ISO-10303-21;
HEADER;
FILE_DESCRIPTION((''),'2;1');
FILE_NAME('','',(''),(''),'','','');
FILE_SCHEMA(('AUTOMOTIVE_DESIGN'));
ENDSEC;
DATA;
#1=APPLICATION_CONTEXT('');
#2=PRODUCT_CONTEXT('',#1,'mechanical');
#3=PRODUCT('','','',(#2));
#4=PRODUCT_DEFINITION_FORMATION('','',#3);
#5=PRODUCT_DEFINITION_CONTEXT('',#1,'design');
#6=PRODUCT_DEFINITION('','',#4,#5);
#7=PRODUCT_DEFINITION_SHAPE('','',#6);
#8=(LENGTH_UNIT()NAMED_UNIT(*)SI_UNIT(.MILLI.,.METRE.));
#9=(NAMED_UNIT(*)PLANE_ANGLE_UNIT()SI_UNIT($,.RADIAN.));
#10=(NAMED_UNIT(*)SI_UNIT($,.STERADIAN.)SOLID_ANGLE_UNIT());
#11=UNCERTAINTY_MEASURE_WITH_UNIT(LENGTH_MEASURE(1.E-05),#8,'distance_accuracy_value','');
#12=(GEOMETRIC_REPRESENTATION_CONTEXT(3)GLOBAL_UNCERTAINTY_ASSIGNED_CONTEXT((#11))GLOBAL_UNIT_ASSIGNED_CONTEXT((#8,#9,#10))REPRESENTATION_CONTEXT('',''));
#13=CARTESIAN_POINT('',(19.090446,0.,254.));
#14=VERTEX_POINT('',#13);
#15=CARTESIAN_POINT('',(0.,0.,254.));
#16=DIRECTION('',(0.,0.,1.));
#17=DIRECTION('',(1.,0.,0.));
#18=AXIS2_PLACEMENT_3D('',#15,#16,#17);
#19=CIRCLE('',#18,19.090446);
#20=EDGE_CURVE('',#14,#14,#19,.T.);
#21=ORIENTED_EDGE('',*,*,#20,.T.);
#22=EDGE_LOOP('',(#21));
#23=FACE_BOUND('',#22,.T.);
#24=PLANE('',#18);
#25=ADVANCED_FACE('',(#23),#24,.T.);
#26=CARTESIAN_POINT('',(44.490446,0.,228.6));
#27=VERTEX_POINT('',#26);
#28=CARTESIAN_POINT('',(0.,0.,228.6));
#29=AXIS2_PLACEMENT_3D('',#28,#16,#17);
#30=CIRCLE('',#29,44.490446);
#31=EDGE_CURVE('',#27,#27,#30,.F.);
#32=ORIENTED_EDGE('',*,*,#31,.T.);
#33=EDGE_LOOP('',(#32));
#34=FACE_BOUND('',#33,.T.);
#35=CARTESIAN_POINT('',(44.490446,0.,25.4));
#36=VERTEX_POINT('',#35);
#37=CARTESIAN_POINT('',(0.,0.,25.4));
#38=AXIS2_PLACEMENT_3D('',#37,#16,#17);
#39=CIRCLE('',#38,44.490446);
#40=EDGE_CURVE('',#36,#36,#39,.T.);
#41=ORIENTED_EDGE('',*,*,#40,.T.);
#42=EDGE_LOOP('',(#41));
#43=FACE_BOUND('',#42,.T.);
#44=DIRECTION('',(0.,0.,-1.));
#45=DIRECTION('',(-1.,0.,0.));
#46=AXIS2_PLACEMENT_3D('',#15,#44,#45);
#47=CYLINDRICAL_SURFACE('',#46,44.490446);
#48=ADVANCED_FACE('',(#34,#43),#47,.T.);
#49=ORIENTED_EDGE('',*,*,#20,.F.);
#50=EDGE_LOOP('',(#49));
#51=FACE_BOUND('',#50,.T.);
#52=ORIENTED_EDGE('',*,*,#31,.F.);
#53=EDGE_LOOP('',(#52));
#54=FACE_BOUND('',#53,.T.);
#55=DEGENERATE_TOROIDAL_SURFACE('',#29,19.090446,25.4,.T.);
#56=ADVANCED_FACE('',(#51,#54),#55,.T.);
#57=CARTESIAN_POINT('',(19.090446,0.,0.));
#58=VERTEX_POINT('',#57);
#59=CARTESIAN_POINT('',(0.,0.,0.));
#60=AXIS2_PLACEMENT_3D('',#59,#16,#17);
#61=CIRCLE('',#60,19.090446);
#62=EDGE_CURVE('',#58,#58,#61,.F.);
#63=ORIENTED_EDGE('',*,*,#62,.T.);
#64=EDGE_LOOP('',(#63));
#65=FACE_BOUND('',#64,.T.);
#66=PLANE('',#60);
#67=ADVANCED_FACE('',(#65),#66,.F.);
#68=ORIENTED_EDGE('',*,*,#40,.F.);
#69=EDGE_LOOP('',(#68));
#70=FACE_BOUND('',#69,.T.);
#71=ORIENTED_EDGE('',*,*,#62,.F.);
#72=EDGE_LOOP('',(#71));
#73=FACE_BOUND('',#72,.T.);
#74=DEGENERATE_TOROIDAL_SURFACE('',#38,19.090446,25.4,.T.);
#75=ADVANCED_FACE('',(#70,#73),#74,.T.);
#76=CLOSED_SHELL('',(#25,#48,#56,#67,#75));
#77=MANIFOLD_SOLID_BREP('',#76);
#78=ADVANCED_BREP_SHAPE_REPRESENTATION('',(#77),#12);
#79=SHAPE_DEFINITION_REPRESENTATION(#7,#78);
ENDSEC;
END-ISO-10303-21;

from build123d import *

# Parameters (mm, degrees)
SKETCH1_R      = 44.49044586
EXTRUDE1_DEPTH = 254
FILLET1_R      = 25.4


with BuildPart() as part:
    # Sketch1 → Extrude1 (new body)
    with BuildSketch(Plane.XY):
        Circle(SKETCH1_R)
    extrude(amount=EXTRUDE1_DEPTH)

    # Fillet1
    fillet1_edges = [part.edges().sort_by_distance(p)[0] for p in [
        (-44.49044586, 0, 0),
        (-44.49044586, 0, 254),
    ]]
    fillet(fillet1_edges, radius=FILLET1_R)


solid = part.part
